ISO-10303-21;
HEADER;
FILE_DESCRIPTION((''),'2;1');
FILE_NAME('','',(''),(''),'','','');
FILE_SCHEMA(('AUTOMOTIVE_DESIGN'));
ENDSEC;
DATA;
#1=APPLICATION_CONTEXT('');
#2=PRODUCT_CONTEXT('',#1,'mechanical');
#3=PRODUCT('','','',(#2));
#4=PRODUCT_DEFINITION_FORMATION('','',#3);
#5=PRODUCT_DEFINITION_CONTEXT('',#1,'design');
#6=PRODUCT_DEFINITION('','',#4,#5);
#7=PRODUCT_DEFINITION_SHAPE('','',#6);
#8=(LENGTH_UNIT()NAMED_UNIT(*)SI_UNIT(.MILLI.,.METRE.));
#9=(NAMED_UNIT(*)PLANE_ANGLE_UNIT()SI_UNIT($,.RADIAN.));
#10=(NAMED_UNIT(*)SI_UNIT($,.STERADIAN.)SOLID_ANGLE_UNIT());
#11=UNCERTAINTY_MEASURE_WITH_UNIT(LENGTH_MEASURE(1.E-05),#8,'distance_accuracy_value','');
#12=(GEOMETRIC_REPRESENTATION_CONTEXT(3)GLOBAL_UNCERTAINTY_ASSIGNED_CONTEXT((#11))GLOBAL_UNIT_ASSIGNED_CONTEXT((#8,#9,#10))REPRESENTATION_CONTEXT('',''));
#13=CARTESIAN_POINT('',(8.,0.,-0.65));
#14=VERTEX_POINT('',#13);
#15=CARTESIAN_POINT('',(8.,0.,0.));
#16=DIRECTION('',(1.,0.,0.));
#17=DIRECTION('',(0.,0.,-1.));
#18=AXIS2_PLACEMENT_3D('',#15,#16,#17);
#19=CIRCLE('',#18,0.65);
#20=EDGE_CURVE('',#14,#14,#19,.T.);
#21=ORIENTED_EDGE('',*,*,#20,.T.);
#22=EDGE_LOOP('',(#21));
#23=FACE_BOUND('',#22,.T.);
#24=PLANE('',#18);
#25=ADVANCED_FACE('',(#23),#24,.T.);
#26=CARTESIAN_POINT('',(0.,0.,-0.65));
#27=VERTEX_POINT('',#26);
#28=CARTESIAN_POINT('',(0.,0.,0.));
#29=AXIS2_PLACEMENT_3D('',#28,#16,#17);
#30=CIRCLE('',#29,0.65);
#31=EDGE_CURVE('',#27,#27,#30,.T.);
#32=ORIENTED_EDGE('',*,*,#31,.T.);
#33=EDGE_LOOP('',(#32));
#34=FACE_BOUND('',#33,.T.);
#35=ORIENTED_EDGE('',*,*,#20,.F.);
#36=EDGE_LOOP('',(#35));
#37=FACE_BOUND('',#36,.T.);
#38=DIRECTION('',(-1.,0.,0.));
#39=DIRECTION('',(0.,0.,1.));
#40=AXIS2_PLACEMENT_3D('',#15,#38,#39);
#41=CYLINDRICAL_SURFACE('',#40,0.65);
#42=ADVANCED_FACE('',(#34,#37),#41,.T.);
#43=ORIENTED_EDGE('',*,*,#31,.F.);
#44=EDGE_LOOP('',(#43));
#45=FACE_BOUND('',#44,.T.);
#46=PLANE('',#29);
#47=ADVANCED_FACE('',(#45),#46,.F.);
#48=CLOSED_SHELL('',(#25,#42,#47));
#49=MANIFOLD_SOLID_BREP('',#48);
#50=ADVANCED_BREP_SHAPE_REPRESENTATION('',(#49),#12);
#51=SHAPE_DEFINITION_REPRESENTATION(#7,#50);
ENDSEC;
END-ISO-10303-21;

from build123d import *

# Parameters (mm, degrees)
SKETCH1_R      = 0.65
EXTRUDE1_DEPTH = 8


with BuildPart() as part:
    # Sketch1 → Extrude1 (new body)
    with BuildSketch(Plane(origin=(0, 0, 0), x_dir=(0, 0, -1), z_dir=(1, 0, 0))):
        Circle(SKETCH1_R)
    extrude(amount=EXTRUDE1_DEPTH)


solid = part.part
